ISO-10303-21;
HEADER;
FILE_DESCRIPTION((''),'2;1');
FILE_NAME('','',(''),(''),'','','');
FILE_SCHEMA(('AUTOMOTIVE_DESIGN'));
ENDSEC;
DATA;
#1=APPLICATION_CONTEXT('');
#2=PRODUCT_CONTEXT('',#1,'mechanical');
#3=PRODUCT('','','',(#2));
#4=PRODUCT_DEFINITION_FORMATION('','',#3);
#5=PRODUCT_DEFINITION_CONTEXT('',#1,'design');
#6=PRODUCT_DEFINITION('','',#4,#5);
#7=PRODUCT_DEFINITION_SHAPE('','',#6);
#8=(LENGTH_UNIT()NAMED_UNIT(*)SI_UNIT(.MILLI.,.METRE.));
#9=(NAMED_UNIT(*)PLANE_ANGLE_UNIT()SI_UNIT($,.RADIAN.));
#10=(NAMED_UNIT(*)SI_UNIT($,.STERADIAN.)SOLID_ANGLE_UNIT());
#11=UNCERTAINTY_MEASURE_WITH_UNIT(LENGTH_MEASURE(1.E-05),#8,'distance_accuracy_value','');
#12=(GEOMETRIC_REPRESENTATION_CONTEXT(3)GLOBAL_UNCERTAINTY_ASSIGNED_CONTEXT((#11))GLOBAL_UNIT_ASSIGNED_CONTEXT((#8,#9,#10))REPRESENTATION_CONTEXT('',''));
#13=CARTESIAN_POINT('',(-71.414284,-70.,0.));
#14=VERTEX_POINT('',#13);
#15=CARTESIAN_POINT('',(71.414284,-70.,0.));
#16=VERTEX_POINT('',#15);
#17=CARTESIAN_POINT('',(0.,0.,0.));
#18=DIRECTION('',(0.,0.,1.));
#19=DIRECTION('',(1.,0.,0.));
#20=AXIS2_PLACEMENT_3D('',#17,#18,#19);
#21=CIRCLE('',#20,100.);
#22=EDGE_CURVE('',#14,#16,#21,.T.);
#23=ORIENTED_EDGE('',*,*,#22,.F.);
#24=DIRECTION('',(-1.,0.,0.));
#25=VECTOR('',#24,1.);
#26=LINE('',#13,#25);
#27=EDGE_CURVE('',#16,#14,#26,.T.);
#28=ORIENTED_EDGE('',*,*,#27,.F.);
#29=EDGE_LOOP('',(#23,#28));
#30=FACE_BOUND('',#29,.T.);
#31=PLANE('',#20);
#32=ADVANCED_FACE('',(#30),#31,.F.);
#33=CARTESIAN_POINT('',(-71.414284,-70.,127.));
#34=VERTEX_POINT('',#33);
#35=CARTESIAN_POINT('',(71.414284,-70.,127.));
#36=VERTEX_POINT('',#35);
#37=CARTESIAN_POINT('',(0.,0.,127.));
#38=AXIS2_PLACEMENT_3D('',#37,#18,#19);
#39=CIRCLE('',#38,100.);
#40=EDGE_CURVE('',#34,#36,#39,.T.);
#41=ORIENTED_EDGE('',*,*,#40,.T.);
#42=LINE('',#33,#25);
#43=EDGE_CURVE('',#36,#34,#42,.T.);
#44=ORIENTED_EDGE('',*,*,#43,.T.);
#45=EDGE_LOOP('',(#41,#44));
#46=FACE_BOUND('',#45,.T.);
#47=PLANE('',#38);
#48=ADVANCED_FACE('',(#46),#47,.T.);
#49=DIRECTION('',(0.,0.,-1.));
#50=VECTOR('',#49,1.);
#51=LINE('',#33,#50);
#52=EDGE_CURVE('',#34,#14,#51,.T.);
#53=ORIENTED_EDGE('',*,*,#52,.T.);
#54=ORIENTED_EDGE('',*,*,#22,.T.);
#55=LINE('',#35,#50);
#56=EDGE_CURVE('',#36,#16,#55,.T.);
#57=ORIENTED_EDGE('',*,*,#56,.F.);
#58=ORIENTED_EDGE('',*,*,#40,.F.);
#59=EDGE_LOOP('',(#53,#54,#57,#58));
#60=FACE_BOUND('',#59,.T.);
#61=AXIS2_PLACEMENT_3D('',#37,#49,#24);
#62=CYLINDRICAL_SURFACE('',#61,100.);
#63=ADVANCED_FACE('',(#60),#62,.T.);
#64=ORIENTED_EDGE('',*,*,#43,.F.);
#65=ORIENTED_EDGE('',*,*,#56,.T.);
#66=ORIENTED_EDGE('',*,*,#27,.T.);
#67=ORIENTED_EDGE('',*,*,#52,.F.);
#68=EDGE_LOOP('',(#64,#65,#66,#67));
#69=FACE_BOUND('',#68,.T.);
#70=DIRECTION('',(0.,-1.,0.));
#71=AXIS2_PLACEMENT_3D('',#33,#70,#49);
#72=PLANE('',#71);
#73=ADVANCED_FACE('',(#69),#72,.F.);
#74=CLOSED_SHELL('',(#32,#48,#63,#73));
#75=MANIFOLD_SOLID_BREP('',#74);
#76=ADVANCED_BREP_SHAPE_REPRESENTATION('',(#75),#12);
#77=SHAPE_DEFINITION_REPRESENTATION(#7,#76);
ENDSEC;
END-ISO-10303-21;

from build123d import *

# Parameters (mm, degrees)
BOSS_EXTRUDE1_DEPTH = 127


with BuildPart() as part:
    # Sketch2 → Boss-Extrude1 (new body)
    with BuildSketch(Plane.XY):
        with BuildLine():
            Line((-71.414284285, -70), (71.414284285, -70))
            ThreePointArc((71.414284285, -70), (0, -100), (-71.414284285, -70))
        make_face()
    extrude(amount=BOSS_EXTRUDE1_DEPTH)


solid = part.part
